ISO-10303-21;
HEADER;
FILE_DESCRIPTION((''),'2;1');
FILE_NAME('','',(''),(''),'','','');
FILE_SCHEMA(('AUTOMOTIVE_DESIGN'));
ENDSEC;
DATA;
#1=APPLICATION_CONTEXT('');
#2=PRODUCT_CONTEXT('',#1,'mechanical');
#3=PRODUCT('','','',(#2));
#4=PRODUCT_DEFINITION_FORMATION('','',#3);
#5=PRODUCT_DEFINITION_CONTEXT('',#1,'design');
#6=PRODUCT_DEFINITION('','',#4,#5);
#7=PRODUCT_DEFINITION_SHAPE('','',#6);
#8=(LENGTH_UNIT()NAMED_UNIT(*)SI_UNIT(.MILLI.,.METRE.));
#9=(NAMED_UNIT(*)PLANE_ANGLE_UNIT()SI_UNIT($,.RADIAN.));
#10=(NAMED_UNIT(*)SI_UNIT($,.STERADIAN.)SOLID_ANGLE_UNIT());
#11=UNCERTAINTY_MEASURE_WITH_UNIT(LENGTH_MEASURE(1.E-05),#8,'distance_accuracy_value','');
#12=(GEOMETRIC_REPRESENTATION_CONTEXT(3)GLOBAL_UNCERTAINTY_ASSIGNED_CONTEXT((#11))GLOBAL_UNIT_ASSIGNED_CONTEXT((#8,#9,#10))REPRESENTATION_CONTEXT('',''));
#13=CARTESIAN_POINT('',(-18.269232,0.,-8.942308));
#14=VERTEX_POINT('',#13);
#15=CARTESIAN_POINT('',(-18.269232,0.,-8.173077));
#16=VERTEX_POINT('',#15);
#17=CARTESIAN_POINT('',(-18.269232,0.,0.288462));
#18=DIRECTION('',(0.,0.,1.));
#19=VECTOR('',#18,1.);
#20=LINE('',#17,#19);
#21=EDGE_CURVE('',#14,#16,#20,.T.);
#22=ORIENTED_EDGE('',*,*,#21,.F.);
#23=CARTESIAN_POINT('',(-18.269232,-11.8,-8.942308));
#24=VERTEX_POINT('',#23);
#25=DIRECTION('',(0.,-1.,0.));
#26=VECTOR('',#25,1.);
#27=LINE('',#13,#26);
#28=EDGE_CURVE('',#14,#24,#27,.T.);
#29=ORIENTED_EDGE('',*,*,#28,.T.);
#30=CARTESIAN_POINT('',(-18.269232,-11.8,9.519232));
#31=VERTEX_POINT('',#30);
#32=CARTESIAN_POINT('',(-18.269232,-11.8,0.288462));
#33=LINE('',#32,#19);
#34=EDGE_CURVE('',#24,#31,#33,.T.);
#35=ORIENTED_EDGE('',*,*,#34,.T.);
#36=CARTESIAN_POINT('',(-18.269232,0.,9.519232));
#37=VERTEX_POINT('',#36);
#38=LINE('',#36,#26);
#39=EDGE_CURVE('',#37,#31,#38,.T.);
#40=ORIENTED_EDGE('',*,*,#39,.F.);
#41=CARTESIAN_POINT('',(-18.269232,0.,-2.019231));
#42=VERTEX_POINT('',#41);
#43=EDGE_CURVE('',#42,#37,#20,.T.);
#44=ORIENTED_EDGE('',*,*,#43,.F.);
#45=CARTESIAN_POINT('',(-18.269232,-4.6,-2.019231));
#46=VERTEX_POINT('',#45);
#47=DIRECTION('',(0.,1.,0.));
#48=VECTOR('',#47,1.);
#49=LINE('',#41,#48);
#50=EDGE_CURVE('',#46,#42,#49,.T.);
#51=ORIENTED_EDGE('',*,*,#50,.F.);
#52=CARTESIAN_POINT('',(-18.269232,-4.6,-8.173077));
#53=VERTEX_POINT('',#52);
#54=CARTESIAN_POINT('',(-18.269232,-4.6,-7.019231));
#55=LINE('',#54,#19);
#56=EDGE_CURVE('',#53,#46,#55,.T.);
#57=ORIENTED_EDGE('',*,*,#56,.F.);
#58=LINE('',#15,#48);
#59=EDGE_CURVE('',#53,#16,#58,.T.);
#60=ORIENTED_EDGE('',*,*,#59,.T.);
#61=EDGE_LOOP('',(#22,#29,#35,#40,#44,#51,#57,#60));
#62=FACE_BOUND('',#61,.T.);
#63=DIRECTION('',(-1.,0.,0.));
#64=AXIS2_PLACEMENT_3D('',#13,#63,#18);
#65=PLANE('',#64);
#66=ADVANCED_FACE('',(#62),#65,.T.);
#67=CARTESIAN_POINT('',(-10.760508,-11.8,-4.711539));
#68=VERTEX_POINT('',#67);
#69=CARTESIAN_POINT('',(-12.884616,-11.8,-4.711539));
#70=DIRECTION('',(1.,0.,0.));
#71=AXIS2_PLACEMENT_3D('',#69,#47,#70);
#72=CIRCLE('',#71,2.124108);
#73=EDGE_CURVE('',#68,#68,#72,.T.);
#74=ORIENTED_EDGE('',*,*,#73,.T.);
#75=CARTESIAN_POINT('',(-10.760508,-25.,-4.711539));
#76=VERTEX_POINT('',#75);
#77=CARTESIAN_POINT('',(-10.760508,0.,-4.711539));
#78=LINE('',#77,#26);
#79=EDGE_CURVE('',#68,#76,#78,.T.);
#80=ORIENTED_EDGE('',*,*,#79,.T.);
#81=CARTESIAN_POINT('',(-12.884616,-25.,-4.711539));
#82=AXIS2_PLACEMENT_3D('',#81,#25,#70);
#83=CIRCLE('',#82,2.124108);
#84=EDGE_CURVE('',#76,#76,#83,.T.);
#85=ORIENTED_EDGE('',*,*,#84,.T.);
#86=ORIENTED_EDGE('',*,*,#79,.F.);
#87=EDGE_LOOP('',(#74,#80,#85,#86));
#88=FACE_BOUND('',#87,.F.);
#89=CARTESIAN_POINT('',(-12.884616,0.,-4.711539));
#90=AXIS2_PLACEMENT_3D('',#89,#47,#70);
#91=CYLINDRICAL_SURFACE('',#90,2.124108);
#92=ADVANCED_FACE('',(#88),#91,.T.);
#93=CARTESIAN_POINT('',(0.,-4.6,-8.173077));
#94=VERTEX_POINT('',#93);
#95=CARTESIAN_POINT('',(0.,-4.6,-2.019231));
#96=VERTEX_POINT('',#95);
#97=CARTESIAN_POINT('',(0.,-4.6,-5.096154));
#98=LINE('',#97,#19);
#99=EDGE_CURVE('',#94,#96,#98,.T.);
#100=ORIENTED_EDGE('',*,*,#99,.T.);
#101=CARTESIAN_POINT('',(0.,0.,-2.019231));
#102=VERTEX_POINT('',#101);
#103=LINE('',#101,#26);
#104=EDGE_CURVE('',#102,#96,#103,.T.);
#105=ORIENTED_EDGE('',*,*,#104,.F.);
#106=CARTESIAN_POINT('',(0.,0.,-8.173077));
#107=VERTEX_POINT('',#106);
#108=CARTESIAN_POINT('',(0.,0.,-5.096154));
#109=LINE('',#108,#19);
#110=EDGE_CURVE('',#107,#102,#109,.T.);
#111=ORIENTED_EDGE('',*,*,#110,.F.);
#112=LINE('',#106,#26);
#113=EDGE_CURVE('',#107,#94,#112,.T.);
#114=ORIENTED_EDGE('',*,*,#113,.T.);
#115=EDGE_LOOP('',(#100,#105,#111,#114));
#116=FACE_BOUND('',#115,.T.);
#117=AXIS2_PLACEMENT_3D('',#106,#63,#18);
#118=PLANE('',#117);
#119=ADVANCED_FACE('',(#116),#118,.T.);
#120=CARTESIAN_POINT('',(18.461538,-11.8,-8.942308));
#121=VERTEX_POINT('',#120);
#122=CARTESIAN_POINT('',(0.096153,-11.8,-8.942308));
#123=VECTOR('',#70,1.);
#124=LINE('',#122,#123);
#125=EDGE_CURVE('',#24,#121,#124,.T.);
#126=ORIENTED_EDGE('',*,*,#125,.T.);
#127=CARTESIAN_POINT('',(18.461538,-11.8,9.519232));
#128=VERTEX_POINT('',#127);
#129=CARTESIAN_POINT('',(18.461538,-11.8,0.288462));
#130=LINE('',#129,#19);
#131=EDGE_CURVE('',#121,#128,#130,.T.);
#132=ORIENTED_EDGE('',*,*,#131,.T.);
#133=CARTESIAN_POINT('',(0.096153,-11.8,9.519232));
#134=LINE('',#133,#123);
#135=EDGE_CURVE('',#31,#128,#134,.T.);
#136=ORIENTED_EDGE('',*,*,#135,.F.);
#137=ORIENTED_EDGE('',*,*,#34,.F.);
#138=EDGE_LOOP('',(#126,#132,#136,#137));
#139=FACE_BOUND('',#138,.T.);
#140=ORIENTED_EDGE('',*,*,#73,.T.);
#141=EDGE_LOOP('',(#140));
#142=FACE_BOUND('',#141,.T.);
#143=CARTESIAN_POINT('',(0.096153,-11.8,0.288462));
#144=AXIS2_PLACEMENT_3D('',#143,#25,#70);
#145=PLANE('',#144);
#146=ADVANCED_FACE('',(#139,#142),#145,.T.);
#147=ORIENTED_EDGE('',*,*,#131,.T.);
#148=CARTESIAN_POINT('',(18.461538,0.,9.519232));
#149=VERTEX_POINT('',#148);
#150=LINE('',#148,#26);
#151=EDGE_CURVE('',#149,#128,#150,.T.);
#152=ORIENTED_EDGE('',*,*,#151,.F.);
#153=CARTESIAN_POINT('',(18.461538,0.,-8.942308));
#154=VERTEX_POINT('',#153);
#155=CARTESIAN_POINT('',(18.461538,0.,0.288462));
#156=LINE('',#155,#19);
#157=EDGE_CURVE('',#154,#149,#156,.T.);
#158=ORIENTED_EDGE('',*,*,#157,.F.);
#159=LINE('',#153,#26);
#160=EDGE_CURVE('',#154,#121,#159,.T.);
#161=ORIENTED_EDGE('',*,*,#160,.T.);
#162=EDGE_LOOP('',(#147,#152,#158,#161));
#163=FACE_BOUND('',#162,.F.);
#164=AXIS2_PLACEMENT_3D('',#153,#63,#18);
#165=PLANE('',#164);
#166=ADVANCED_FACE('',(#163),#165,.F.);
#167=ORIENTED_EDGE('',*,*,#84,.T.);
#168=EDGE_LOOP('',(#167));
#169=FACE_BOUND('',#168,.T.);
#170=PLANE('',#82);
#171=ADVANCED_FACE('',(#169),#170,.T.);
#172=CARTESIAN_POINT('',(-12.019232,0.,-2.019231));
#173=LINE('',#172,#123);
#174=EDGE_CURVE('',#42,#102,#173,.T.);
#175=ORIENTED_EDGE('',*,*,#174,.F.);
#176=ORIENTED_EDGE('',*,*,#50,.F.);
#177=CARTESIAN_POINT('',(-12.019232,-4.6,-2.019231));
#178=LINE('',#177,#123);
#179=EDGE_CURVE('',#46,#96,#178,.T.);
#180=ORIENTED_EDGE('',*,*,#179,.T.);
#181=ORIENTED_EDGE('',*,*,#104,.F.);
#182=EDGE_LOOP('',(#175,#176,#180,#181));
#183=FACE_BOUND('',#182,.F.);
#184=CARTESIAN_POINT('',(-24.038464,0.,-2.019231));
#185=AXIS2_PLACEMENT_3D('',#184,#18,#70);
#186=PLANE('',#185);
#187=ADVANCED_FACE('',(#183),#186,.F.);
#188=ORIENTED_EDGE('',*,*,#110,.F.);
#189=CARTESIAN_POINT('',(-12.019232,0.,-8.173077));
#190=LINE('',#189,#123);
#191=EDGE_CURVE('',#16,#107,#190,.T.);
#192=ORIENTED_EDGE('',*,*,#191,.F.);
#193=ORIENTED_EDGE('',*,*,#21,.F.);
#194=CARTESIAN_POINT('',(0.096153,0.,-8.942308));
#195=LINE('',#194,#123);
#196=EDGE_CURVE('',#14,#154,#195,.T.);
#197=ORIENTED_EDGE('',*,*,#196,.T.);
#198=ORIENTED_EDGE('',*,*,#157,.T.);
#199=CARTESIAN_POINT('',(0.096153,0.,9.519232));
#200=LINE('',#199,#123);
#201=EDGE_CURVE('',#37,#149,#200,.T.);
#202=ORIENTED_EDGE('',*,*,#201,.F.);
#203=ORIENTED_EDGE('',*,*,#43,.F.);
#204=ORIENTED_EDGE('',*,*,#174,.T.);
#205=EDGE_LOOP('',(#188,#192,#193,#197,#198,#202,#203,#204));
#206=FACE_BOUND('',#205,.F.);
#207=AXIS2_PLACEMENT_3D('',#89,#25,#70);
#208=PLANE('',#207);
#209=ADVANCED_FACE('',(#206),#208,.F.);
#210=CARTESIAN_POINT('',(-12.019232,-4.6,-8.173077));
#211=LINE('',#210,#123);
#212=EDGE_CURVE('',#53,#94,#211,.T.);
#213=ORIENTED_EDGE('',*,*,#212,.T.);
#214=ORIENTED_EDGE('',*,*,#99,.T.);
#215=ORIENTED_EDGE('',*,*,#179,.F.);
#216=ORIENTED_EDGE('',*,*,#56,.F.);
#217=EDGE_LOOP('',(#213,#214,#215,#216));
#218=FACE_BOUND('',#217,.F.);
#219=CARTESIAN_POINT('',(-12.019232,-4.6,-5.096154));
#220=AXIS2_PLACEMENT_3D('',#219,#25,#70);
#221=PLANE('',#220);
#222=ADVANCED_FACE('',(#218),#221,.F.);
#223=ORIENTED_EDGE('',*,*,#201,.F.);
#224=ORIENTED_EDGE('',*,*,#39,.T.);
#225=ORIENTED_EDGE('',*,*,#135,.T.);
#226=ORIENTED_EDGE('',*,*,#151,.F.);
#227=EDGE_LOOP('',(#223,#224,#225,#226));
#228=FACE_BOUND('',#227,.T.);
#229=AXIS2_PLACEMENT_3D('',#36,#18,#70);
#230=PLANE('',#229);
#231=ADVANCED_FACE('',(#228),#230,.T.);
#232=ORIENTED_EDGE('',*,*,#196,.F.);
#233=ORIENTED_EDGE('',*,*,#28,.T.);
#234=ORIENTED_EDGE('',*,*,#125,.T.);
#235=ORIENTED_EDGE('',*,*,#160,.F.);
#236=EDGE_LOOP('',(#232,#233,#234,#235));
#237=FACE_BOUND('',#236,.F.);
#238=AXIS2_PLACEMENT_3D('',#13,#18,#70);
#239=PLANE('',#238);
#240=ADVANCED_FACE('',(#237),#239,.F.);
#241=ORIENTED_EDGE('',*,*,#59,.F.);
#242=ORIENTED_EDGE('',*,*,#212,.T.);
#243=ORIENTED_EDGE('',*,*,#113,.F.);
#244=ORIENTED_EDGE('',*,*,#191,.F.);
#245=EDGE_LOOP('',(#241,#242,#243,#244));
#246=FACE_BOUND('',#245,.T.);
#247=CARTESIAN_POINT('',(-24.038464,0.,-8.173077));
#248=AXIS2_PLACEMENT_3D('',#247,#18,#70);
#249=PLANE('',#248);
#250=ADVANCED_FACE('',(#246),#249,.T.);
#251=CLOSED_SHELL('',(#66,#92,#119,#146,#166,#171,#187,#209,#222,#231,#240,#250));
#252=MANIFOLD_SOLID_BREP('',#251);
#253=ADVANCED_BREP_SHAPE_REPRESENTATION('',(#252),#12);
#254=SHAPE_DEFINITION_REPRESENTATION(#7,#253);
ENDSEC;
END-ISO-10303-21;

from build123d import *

# Parameters (mm, degrees)
F0_W     = 36.73077
F0_H     = 18.46154
F1_DEPTH = 11.8
F2_R     = 2.124108
F3_DEPTH = 25
F4_W     = 24.038464
F4_H     = 6.153846
F5_DEPTH = 4.6


with BuildPart() as f1:
    # F0 (on Front) → F1 (new body)
    with BuildSketch(Plane.XZ):
        with Locations((0.096153, 0.288462)):
            Rectangle(F0_W, F0_H)
    extrude(amount=F1_DEPTH)

    # F2 (on Front) → F3 (join)
    with BuildSketch(Plane.XZ):
        with Locations((-12.884616, -4.711539)):
            Circle(F2_R)
    extrude(amount=F3_DEPTH)

    # F4 (on Front) → F5 (cut)
    with BuildSketch(Plane.XZ):
        with Locations((-12.019232, -5.096154)):
            Rectangle(F4_W, F4_H)
    extrude(amount=F5_DEPTH, mode=Mode.SUBTRACT)


solid = f1.part
